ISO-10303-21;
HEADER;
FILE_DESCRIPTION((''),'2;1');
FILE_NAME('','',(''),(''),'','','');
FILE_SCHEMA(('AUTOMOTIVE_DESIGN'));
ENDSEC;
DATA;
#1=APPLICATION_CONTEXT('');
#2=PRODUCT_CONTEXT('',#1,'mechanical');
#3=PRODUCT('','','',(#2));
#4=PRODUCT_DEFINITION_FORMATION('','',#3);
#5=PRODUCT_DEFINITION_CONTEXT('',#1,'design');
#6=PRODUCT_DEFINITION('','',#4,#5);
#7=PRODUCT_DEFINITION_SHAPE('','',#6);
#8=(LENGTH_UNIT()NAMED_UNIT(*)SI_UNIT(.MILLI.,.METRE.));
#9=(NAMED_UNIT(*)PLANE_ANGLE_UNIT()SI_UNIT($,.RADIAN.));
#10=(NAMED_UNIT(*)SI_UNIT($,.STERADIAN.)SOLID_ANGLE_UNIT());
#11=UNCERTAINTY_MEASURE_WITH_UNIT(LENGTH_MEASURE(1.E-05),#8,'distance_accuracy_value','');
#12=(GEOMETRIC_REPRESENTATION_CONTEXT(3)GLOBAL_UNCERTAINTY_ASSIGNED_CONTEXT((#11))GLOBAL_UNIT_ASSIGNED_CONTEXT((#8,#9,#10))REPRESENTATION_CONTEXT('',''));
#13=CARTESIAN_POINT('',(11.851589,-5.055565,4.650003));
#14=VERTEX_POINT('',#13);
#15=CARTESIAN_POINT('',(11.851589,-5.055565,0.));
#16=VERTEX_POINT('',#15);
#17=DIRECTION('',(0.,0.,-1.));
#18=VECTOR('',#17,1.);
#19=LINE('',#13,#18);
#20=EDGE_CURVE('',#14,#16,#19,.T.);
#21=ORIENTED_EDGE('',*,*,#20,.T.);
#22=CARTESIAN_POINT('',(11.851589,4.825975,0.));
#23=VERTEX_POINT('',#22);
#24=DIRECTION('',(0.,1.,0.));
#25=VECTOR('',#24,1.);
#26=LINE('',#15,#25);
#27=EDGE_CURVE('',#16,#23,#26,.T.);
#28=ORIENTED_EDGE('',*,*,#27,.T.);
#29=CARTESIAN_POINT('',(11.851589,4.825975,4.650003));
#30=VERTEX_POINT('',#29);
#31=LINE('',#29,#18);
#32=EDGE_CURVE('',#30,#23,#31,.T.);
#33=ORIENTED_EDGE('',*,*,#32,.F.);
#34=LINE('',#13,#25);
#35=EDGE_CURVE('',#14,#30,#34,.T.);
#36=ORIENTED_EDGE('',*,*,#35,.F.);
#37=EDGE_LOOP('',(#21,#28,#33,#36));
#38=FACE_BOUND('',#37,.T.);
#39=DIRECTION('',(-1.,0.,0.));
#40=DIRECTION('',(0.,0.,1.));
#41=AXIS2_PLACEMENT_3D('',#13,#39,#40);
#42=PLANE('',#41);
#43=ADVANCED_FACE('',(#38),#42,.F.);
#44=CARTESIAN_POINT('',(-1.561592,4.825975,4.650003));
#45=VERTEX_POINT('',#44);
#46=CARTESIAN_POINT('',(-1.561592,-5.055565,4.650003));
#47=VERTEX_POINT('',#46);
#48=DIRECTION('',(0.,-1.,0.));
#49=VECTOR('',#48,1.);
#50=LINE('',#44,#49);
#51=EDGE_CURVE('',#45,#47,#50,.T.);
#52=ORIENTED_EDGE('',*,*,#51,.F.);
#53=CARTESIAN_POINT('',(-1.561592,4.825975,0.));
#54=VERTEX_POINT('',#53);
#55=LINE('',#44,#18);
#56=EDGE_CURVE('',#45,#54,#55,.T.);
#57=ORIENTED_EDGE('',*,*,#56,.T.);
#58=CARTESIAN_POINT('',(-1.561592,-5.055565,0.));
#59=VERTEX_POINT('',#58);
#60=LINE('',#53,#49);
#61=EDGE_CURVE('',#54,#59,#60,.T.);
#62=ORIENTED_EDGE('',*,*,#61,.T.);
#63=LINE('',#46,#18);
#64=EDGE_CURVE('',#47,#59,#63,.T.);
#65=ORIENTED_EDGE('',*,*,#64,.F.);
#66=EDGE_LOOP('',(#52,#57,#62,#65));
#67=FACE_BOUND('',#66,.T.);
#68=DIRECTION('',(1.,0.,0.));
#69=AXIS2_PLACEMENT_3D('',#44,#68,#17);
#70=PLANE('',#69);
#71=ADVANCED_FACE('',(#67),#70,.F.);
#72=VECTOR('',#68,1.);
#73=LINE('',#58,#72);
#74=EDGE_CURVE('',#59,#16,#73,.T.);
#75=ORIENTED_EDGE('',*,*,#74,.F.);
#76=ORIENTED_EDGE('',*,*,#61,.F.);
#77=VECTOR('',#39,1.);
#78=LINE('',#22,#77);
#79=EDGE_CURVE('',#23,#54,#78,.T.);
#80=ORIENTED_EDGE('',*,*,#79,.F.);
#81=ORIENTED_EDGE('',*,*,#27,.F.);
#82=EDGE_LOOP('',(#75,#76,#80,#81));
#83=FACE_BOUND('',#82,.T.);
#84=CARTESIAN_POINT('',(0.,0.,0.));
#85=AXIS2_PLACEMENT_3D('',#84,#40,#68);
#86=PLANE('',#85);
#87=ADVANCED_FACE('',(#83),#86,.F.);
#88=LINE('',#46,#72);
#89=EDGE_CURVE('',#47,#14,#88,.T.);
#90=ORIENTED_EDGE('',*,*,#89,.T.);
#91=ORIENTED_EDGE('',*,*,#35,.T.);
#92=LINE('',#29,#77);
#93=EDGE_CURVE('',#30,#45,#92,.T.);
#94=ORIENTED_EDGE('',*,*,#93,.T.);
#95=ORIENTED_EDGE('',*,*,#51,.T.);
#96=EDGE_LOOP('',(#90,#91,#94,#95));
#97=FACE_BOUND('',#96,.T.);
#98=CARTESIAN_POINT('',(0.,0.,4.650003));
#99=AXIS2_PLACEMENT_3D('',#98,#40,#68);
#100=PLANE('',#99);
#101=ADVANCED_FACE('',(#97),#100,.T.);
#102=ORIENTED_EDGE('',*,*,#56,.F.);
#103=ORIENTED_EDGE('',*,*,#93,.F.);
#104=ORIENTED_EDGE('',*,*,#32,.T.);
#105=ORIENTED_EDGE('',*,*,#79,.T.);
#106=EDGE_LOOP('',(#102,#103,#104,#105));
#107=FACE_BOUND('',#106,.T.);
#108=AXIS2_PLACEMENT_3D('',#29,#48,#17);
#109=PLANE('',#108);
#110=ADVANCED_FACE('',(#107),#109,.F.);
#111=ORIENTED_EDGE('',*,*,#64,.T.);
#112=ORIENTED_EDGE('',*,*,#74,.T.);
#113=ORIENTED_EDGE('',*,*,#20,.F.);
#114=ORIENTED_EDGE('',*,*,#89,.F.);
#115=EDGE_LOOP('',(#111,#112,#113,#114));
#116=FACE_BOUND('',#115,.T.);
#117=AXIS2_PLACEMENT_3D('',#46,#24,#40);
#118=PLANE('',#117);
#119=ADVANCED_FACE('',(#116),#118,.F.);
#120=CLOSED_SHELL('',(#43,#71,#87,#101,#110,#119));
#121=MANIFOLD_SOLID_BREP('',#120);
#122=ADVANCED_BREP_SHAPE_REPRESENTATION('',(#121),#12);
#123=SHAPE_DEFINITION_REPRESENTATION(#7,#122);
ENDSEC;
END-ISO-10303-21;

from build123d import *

# Parameters (mm, degrees)
SKETCH1_W               = 13.4131812
SKETCH1_H               = 9.8815398
COMPONENT_OUTLINE_DEPTH = 4.6500034


with BuildPart() as part:
    # Sketch1 → Component_Outline (new body)
    with BuildSketch(Plane.XY):
        with Locations((5.1449986, -0.1147953)):
            Rectangle(SKETCH1_W, SKETCH1_H)
    extrude(amount=COMPONENT_OUTLINE_DEPTH)


solid = part.part
